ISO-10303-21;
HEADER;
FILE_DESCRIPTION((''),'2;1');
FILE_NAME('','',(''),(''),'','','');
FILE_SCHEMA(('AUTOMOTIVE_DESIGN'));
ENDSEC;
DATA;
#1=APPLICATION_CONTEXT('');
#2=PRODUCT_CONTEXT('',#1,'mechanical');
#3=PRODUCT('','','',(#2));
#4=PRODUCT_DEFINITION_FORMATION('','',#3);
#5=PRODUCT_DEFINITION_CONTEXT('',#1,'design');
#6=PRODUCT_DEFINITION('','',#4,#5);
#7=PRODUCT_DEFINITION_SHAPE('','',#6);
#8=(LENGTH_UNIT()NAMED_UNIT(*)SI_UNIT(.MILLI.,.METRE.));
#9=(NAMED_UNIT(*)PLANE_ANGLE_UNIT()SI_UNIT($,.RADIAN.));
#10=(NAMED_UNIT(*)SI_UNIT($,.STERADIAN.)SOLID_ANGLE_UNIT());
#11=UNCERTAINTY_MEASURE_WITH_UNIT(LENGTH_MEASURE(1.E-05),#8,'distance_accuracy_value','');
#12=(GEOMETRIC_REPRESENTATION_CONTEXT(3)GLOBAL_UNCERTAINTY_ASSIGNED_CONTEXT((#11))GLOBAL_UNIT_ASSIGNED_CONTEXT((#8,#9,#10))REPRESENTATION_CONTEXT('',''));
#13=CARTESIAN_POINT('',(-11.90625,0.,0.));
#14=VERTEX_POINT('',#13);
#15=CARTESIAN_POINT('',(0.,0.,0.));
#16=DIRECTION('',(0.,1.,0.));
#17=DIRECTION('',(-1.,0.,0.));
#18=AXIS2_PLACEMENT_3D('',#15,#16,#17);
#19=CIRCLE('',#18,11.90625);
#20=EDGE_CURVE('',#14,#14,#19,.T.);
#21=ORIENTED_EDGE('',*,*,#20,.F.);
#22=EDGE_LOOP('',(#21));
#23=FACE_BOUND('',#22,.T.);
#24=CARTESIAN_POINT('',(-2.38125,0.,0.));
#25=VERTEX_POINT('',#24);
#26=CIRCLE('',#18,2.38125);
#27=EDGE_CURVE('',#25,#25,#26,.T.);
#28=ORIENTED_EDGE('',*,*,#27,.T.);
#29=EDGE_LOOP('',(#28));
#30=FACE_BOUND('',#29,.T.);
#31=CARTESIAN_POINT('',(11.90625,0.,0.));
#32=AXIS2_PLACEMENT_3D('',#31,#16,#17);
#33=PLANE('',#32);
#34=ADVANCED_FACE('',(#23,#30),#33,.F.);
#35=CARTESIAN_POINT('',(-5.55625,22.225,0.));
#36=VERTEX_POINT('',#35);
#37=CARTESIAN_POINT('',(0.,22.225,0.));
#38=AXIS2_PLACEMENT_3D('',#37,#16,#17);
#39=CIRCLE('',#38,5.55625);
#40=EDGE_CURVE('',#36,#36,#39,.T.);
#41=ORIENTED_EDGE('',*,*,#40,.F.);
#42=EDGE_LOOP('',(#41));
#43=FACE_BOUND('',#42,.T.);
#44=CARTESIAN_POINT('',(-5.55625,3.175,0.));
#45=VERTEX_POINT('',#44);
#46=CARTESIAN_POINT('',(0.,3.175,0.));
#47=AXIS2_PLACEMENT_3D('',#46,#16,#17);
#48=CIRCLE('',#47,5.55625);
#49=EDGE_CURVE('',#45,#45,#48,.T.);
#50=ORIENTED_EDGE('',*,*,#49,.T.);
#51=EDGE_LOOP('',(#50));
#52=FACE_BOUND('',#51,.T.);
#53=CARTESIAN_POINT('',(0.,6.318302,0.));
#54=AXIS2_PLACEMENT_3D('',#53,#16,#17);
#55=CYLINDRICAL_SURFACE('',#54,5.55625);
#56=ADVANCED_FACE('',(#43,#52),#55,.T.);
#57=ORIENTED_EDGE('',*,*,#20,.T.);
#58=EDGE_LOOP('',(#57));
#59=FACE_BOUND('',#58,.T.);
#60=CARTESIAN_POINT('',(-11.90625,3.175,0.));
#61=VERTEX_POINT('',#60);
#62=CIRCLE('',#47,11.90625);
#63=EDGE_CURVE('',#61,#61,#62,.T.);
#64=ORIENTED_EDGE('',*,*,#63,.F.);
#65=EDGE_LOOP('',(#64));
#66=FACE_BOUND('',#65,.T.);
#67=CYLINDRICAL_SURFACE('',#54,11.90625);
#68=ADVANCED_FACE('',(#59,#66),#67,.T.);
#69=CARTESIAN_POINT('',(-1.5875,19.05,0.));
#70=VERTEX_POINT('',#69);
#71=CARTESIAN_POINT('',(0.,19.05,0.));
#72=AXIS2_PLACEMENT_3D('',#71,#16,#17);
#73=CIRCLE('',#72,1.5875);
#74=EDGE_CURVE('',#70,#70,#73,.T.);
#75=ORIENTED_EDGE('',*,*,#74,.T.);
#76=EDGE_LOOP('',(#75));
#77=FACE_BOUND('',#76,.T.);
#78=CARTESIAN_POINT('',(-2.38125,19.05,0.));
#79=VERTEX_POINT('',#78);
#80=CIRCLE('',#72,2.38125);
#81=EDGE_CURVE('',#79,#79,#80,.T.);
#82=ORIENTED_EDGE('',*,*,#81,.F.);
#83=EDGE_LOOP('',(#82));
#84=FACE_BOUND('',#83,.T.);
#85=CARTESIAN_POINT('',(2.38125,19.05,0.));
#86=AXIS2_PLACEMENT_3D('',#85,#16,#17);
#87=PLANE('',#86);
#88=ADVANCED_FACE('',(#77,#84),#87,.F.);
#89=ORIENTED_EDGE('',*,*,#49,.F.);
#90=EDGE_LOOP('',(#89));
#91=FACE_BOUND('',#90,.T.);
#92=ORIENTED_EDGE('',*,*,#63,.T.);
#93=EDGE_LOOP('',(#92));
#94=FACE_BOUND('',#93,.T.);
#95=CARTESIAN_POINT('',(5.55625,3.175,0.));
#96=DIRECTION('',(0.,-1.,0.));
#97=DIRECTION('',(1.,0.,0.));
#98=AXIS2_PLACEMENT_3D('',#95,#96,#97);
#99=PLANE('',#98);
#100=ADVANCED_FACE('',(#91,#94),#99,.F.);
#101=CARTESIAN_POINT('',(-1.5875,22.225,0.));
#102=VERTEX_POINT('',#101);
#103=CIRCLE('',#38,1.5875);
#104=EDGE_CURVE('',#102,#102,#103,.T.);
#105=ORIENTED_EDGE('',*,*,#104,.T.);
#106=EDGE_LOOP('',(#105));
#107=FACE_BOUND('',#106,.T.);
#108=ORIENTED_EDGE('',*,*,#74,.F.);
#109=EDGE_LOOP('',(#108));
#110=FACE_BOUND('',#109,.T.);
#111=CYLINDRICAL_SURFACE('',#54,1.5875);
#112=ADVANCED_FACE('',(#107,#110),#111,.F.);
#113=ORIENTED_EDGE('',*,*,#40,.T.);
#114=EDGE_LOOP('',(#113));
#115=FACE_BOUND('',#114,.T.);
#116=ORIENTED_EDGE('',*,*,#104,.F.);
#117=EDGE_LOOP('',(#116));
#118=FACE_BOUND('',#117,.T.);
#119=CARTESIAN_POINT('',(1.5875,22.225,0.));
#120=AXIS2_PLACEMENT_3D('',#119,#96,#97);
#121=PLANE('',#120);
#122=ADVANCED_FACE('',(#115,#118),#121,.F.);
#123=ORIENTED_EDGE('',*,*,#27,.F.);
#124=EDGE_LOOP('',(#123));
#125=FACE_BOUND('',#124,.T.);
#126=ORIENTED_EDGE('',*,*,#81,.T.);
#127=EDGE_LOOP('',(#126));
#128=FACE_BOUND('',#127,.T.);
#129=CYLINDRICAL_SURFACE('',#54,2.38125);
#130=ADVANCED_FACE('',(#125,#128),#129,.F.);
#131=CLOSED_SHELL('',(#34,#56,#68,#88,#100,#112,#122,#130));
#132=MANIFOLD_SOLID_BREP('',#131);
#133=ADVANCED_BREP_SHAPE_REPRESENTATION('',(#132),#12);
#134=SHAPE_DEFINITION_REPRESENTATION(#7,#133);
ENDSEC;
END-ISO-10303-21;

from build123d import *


with BuildPart() as part:
    # Sketch1 → Revolve1 (revolve)
    with BuildSketch(Plane.XY):
        Polygon((11.90625, 0), (2.38125, 0), (2.38125, 19.05), (1.5875, 19.05), (1.5875, 22.225), (5.55625, 22.225), (5.55625, 3.175), (11.90625, 3.175), align=None)
    revolve(axis=Axis((0, 6.318301654, 0), (0, -1, 0)))


solid = part.part
